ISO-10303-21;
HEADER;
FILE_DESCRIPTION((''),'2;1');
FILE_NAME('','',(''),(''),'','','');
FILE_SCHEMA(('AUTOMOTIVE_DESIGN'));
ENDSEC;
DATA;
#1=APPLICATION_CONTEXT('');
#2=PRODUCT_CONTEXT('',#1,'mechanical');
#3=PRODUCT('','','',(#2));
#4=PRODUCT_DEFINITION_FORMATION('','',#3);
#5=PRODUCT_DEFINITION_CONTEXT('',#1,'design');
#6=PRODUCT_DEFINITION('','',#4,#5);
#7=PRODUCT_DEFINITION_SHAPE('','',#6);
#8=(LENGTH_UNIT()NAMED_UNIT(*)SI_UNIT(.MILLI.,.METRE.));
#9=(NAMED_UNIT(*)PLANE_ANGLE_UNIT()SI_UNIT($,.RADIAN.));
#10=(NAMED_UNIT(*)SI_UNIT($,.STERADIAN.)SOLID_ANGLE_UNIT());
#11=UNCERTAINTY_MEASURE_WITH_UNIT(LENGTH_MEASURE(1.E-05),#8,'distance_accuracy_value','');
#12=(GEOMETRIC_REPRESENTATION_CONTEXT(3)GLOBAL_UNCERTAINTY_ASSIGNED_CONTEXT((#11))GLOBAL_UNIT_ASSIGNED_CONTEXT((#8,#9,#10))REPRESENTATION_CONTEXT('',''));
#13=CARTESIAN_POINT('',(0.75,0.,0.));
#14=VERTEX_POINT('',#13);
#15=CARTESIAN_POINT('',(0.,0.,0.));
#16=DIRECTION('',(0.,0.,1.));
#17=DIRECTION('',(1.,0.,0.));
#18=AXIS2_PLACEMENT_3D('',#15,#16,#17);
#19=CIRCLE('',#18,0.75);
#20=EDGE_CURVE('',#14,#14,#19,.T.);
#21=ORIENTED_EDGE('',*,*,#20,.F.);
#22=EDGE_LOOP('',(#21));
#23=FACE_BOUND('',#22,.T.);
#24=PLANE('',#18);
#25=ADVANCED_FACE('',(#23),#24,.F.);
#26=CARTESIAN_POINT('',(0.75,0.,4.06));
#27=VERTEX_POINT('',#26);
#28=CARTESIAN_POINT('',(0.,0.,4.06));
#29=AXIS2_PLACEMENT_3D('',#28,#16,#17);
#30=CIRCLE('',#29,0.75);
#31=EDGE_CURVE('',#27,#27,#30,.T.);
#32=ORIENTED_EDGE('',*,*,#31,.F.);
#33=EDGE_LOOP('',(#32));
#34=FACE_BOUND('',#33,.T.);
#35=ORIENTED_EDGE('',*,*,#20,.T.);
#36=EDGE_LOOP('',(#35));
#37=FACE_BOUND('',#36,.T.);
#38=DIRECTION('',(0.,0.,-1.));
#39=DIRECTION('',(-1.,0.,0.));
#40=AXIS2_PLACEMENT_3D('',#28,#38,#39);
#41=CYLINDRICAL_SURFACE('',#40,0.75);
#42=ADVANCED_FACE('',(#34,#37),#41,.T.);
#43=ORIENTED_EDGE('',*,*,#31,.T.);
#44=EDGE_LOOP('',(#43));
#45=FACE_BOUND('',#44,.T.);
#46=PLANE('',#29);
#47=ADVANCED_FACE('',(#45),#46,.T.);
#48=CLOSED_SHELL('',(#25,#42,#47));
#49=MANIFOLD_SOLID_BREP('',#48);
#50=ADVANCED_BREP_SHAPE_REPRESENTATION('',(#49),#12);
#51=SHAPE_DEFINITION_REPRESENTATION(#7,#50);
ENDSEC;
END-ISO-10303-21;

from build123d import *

# Parameters (mm, degrees)
SKETCH_1_R      = 0.75
EXTRUDE_1_DEPTH = 4.06


with BuildPart() as part:
    # 草图1 → 凸台-拉伸1 (new body)
    with BuildSketch(Plane.XY):
        Circle(SKETCH_1_R)
    extrude(amount=EXTRUDE_1_DEPTH)


solid = part.part
